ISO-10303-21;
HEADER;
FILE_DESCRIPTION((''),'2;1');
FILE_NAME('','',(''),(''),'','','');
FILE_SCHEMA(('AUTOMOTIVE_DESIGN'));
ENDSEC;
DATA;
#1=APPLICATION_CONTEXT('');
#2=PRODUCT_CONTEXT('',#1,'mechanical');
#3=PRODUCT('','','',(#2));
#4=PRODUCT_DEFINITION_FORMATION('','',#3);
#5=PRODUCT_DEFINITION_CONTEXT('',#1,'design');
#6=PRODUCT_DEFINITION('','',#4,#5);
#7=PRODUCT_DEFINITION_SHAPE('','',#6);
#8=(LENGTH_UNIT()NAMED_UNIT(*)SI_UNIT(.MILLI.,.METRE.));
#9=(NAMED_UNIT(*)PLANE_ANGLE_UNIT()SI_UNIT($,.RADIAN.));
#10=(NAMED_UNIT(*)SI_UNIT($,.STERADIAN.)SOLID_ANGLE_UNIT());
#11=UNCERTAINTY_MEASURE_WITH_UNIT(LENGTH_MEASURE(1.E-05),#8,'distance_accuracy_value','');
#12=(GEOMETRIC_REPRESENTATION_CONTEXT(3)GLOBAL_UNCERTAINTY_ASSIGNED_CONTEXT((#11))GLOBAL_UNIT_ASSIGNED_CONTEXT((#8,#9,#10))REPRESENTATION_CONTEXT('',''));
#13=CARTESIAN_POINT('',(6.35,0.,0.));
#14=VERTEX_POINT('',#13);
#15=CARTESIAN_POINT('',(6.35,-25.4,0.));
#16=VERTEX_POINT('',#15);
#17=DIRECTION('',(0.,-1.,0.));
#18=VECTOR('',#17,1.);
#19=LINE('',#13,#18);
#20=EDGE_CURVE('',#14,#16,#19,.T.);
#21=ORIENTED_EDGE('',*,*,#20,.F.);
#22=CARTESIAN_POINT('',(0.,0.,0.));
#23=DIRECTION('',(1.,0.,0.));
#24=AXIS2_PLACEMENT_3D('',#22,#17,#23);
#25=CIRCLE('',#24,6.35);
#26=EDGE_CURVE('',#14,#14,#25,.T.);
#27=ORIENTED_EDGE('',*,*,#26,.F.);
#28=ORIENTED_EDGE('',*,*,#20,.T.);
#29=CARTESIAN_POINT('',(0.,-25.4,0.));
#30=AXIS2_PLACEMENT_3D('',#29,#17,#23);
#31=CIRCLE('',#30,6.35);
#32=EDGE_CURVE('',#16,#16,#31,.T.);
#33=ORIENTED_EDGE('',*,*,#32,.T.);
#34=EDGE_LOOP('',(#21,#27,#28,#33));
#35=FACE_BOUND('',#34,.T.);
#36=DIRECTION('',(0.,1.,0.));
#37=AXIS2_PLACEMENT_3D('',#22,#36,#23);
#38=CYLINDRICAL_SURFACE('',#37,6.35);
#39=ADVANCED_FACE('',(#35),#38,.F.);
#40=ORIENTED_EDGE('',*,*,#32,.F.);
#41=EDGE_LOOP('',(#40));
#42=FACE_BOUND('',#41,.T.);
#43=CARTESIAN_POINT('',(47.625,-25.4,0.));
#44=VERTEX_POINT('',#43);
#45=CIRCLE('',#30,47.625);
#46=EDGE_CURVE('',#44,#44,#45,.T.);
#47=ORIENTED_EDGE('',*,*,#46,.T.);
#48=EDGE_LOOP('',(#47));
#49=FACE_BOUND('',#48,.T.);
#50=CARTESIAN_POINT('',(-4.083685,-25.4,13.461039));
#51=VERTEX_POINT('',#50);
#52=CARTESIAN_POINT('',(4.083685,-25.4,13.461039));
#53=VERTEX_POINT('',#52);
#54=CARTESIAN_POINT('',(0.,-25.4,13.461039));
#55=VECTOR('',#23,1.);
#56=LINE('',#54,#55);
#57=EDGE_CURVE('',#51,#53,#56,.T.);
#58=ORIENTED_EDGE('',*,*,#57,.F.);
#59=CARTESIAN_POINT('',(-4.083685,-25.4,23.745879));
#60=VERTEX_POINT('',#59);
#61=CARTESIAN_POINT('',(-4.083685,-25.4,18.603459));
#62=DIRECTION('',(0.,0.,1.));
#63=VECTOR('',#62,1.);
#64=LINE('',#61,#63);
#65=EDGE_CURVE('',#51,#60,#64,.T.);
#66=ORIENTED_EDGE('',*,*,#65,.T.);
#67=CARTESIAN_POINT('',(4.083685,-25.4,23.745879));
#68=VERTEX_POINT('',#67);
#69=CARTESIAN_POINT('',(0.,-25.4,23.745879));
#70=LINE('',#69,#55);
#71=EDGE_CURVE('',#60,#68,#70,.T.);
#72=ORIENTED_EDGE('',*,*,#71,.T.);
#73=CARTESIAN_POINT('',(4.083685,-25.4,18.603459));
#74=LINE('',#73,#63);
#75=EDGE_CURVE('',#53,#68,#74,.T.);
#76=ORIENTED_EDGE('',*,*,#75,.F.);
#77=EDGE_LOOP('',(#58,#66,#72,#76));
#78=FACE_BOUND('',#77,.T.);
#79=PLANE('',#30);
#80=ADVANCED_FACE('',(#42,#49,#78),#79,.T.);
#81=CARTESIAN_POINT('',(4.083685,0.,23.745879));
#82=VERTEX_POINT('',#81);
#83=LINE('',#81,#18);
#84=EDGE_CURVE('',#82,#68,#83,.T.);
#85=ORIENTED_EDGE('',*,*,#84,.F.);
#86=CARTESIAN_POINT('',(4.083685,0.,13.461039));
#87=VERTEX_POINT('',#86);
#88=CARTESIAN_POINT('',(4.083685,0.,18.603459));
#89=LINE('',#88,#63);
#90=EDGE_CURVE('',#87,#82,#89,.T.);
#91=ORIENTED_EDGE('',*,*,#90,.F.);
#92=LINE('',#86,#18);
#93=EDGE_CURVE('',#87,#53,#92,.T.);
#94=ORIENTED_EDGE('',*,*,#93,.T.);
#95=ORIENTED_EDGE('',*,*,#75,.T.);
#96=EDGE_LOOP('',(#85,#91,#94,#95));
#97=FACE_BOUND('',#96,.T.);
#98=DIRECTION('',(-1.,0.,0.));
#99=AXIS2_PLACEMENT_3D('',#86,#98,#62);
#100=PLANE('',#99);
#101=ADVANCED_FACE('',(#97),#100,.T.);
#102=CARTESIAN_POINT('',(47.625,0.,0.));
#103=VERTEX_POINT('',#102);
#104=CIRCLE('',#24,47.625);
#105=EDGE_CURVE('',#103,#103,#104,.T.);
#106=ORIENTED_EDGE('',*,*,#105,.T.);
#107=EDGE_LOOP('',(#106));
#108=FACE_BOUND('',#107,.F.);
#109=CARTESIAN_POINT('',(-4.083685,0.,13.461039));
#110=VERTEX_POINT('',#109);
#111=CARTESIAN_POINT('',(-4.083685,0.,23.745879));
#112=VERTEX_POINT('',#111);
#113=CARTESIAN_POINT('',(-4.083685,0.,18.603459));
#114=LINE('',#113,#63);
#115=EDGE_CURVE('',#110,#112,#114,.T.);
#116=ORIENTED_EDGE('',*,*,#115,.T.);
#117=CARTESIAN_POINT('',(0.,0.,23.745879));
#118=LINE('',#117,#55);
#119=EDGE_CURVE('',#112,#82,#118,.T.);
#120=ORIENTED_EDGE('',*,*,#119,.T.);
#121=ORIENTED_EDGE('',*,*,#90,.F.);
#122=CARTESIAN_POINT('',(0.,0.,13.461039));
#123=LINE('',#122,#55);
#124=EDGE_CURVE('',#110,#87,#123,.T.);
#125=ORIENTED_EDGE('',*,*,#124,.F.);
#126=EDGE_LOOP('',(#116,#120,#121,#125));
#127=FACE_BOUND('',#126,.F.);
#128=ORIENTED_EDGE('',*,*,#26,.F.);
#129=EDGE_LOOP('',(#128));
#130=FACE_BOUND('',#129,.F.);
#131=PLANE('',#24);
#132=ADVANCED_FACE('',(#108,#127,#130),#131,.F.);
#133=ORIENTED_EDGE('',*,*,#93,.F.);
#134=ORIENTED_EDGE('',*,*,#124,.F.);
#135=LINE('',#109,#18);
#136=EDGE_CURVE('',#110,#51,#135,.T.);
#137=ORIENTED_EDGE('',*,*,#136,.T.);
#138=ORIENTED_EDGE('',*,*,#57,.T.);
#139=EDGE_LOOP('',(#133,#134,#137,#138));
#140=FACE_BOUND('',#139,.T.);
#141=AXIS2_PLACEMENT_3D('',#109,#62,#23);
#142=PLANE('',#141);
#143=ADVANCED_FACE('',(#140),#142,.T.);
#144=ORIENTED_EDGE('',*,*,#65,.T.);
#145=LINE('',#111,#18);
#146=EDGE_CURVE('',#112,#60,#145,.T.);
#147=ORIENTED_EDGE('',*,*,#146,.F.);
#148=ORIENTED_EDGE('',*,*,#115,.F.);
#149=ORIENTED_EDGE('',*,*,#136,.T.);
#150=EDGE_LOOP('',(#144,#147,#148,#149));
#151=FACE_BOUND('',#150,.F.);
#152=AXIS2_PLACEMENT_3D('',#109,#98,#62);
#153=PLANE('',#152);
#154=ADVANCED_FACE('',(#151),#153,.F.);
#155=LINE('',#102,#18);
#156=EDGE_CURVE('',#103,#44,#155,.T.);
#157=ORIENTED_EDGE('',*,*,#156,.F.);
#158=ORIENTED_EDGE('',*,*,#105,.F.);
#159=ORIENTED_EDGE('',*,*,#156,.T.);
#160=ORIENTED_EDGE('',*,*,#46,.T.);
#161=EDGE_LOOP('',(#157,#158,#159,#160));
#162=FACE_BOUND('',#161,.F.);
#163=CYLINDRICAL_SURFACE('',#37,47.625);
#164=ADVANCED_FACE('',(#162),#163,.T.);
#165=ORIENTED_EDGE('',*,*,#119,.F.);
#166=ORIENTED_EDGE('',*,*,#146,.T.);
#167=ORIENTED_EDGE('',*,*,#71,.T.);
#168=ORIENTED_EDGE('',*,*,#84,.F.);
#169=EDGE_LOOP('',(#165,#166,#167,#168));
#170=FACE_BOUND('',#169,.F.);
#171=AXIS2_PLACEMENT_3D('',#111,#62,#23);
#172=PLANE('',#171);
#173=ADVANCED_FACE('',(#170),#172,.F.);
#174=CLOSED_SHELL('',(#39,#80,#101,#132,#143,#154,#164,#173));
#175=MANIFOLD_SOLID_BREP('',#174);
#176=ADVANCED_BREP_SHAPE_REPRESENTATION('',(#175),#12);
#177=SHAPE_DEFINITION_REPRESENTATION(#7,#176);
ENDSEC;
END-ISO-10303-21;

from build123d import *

# Parameters (mm, degrees)
F0_R     = 47.625
F0_R_2   = 6.35
F0_W     = 8.16737
F0_H     = 10.28484
F1_DEPTH = 25.4


with BuildPart() as f1:
    # F0 (on Front) → F1 (new body)
    with BuildSketch(Plane.XZ):
        Circle(F0_R)
        Circle(F0_R_2, mode=Mode.SUBTRACT)
        with Locations((0, 18.603459)):
            Rectangle(F0_W, F0_H, mode=Mode.SUBTRACT)
    extrude(amount=F1_DEPTH)


solid = f1.part
